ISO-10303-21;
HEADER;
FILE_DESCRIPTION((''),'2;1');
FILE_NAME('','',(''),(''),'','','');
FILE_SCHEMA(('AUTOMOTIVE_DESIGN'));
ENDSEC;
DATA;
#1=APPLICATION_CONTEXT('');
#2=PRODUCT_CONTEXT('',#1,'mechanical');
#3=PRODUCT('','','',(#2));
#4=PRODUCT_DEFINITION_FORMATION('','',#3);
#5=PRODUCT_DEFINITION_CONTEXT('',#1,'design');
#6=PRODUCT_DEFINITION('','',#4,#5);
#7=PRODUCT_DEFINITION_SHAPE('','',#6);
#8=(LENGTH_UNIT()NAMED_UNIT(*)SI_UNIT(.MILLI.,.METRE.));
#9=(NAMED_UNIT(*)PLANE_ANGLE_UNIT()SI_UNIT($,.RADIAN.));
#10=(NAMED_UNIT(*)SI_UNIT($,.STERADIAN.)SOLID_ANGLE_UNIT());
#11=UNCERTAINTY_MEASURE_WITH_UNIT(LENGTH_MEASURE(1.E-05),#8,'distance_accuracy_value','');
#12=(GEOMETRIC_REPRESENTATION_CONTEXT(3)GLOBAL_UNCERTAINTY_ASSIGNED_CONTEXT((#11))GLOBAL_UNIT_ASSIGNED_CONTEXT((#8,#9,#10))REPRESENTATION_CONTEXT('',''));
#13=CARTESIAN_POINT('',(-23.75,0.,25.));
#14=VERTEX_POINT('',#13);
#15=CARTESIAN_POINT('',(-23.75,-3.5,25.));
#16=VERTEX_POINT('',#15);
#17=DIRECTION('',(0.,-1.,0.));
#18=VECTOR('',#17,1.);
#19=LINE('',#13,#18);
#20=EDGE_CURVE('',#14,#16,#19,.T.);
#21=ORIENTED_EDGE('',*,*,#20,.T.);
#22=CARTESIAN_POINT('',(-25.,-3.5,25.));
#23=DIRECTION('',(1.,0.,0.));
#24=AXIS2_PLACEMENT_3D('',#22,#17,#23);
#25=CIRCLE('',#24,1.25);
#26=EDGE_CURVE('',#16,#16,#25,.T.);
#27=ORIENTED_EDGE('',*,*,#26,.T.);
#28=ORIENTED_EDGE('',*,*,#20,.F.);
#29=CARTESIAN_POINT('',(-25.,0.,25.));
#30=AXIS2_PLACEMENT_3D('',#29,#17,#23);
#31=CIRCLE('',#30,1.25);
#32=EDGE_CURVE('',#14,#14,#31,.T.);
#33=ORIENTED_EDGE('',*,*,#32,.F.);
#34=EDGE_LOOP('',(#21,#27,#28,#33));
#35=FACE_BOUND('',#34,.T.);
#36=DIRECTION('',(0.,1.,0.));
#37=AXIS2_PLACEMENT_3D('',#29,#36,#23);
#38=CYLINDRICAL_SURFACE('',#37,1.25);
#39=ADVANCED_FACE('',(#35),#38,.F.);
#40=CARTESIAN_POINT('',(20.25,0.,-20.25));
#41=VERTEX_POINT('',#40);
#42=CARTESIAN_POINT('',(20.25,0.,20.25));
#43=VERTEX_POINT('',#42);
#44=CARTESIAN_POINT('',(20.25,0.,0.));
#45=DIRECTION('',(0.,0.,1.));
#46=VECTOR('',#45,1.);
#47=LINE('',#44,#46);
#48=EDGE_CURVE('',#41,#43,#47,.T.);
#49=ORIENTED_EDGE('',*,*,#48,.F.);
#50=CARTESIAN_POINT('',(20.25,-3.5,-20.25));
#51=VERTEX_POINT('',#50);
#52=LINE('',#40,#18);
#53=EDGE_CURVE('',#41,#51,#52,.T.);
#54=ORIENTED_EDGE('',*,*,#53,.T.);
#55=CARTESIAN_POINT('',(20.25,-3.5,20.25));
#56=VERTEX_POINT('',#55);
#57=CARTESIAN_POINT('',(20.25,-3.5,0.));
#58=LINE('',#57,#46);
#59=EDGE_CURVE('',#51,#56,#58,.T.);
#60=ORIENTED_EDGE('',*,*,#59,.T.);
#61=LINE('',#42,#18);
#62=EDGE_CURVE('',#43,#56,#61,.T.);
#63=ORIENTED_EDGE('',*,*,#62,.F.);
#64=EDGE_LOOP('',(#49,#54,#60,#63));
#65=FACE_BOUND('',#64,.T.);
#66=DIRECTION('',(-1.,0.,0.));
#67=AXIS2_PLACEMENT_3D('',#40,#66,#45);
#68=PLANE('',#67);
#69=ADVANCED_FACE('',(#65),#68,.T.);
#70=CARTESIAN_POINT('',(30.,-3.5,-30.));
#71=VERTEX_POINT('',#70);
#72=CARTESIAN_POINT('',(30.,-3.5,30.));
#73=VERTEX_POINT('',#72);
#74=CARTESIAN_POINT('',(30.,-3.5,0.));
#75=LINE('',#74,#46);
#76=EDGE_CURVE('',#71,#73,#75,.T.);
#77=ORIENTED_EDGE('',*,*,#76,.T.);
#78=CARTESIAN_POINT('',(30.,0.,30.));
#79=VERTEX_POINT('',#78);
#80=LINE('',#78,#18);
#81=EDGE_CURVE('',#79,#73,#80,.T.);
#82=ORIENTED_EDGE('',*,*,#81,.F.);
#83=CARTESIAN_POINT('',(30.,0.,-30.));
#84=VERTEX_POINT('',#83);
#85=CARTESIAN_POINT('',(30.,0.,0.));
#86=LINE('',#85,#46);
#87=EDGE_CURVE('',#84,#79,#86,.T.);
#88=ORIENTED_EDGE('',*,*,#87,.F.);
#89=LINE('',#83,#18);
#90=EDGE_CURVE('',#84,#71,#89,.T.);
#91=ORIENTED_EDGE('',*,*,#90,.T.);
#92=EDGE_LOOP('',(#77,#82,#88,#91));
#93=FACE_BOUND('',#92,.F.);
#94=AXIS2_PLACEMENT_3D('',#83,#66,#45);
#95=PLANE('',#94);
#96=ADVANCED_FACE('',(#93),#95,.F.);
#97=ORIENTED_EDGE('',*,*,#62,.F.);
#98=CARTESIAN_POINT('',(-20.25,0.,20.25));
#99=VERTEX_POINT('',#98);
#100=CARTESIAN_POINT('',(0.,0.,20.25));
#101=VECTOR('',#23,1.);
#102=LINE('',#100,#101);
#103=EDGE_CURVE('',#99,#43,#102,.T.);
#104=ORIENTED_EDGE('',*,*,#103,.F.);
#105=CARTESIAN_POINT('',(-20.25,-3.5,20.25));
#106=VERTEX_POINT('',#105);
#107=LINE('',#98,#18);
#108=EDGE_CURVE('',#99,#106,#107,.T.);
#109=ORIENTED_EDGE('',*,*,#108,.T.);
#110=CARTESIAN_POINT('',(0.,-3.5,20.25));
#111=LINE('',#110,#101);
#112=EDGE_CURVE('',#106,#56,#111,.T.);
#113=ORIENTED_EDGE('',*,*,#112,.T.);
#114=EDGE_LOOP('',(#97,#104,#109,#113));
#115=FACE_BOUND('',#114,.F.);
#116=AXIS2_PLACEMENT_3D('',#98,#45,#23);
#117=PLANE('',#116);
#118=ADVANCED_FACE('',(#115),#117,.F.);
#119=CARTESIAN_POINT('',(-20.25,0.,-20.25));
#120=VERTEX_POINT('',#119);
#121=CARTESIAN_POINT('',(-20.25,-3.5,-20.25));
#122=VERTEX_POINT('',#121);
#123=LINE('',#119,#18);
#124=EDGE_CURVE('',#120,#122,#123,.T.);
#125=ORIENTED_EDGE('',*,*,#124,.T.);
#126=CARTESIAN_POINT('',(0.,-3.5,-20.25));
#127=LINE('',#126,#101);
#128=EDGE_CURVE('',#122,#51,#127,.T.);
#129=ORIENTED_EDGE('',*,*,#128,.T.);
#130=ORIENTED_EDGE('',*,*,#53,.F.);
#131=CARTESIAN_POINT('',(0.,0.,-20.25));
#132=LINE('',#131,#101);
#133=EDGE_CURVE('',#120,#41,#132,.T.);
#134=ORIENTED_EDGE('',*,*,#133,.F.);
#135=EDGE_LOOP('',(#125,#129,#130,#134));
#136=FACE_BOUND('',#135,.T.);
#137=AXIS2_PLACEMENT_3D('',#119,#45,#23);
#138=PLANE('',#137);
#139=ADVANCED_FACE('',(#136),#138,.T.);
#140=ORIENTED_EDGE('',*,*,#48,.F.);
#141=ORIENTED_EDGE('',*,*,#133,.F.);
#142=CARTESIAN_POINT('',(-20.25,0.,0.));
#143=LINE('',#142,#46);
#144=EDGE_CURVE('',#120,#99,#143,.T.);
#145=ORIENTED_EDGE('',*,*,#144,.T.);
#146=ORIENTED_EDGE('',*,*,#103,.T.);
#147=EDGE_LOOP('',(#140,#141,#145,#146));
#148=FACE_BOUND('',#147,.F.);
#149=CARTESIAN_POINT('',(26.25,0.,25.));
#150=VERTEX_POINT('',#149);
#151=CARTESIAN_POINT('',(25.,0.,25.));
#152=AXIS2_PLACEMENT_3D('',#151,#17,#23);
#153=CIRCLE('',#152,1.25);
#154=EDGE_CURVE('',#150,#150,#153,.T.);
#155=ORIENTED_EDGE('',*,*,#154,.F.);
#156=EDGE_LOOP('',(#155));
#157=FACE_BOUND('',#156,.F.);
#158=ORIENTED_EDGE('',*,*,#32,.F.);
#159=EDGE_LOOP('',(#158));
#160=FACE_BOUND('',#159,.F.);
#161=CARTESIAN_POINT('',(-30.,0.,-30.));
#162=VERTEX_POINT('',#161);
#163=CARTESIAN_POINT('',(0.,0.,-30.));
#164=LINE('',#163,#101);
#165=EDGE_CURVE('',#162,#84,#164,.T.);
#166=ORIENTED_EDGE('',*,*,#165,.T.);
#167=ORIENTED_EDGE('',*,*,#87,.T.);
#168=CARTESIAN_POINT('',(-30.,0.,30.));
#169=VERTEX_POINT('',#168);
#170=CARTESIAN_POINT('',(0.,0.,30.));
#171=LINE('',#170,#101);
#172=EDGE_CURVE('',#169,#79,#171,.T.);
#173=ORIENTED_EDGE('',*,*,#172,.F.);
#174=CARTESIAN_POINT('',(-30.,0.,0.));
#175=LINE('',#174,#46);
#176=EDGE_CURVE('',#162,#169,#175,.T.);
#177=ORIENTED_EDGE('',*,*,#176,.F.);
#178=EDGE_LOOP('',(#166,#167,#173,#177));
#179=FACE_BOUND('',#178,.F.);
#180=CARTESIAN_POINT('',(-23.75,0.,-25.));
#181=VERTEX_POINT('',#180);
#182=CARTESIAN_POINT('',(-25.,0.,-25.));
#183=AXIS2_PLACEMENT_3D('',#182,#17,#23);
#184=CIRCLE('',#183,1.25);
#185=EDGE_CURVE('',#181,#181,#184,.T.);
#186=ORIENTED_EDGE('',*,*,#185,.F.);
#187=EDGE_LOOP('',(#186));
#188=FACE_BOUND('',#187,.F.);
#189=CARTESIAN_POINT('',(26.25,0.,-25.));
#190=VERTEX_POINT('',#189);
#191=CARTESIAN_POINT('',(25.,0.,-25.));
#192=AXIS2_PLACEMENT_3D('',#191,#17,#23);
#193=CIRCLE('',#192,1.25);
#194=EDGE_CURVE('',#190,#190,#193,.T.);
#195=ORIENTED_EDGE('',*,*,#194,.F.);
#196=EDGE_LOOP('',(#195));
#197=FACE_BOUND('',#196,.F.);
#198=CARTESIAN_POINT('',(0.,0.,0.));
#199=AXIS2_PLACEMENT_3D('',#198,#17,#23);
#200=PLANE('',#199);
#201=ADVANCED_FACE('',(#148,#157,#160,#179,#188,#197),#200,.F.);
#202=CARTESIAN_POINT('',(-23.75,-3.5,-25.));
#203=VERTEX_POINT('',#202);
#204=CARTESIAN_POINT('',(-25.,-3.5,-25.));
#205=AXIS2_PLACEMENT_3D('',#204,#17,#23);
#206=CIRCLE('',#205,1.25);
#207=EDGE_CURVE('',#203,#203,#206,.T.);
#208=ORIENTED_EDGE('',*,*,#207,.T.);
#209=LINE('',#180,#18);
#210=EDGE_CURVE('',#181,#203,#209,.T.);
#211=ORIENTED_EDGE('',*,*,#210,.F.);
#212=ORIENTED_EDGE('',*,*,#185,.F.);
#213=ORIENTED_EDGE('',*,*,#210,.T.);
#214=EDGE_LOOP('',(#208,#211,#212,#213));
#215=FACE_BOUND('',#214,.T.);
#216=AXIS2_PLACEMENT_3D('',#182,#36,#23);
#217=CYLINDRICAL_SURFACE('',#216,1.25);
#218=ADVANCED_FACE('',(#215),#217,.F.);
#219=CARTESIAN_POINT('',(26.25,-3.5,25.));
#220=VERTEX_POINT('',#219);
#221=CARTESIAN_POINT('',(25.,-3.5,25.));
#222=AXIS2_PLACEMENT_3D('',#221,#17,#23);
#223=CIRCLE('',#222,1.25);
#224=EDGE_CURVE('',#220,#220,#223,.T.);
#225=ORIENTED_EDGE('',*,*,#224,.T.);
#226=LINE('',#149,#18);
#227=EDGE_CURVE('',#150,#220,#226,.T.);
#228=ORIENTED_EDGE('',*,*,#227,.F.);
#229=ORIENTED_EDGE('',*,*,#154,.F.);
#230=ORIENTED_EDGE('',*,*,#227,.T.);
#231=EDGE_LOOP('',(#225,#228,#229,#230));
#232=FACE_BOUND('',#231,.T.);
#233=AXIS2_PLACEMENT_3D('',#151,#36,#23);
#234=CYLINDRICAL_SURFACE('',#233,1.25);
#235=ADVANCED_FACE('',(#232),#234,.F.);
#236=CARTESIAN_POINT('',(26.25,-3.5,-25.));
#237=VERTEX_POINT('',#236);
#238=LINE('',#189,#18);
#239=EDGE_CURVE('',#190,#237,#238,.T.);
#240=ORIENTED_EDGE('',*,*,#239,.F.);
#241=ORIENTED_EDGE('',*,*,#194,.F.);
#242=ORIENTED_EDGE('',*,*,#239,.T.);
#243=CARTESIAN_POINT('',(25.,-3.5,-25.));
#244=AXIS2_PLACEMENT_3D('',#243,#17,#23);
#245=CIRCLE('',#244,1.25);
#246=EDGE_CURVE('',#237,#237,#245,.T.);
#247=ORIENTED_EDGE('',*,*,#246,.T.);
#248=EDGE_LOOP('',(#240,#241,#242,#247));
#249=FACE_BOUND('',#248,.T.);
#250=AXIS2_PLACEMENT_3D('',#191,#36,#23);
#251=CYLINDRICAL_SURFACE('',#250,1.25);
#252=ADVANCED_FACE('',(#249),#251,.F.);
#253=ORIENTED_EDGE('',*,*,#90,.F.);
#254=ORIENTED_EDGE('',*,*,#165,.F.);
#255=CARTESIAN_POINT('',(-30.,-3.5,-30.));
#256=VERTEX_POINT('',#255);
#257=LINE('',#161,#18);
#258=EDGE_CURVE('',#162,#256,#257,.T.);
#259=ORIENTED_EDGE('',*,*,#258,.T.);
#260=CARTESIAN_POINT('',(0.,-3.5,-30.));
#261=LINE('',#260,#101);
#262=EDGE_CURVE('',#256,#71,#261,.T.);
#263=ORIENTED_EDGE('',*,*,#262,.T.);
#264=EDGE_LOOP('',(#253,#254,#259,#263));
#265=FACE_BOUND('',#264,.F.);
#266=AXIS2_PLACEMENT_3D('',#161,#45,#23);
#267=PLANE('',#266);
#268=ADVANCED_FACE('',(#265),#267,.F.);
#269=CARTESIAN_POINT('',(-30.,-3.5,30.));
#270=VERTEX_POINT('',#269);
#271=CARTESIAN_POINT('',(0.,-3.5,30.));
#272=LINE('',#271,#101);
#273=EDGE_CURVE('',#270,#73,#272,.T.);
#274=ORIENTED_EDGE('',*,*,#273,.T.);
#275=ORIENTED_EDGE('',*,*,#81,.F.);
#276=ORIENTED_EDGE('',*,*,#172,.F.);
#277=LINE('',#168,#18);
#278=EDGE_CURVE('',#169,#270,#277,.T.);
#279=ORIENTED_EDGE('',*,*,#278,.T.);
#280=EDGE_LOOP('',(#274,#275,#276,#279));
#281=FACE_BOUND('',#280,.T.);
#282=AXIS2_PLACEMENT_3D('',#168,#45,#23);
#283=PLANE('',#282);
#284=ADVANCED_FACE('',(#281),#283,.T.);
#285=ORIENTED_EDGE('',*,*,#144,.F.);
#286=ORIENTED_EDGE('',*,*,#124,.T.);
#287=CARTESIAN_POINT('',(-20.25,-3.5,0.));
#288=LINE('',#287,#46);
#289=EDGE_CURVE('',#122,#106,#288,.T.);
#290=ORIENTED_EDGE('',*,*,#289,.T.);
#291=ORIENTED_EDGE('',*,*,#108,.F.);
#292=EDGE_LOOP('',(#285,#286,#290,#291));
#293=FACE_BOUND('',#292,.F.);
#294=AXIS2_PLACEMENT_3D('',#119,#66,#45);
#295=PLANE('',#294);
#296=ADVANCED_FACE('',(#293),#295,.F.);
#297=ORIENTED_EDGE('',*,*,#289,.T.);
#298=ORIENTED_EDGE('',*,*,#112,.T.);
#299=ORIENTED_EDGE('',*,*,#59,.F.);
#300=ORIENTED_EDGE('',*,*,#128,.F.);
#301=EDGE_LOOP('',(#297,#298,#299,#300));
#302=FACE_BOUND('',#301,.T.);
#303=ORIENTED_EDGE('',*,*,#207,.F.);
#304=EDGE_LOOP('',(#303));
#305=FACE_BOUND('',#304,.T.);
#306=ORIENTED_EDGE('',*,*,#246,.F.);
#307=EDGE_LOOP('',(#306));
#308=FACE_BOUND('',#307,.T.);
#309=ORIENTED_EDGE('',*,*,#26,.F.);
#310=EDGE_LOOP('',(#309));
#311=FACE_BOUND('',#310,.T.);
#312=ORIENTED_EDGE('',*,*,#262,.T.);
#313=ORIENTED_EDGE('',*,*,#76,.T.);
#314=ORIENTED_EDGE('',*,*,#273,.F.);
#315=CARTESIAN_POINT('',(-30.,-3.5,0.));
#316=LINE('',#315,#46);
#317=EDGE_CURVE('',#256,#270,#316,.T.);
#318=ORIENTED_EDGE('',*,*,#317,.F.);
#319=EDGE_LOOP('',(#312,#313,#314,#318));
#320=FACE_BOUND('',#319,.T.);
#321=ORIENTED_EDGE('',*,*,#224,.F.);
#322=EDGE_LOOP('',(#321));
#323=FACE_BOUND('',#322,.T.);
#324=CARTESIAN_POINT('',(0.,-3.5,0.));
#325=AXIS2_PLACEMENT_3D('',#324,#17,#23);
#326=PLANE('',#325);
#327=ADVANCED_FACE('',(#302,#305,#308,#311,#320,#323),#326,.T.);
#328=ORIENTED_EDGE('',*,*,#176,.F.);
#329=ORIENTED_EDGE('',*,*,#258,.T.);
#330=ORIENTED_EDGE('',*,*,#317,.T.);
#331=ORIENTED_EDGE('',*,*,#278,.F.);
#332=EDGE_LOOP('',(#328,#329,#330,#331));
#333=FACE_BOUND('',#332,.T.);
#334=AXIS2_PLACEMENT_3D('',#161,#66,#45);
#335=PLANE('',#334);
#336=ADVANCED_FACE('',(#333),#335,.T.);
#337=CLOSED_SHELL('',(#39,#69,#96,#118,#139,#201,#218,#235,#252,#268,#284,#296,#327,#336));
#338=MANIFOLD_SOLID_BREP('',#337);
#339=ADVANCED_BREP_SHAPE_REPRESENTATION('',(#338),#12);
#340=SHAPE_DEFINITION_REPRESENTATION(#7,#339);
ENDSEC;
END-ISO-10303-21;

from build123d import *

# Parameters (mm, degrees)
F0_W     = 60
F0_H     = 60
F0_R     = 1.25
F0_W_2   = 40.5
F0_H_2   = 40.5
F1_DEPTH = 3.5


with BuildPart() as f1:
    # F0 (on Front) → F1 (new body)
    with BuildSketch(Plane.XZ):
        Rectangle(F0_W, F0_H)
        with Locations((-25, -25)):
            Circle(F0_R, mode=Mode.SUBTRACT)
        with Locations((25, -25)):
            Circle(F0_R, mode=Mode.SUBTRACT)
        with Locations((-25, 25)):
            Circle(F0_R, mode=Mode.SUBTRACT)
        Rectangle(F0_W_2, F0_H_2, mode=Mode.SUBTRACT)
        with Locations((25, 25)):
            Circle(F0_R, mode=Mode.SUBTRACT)
    extrude(amount=F1_DEPTH)


solid = f1.part
